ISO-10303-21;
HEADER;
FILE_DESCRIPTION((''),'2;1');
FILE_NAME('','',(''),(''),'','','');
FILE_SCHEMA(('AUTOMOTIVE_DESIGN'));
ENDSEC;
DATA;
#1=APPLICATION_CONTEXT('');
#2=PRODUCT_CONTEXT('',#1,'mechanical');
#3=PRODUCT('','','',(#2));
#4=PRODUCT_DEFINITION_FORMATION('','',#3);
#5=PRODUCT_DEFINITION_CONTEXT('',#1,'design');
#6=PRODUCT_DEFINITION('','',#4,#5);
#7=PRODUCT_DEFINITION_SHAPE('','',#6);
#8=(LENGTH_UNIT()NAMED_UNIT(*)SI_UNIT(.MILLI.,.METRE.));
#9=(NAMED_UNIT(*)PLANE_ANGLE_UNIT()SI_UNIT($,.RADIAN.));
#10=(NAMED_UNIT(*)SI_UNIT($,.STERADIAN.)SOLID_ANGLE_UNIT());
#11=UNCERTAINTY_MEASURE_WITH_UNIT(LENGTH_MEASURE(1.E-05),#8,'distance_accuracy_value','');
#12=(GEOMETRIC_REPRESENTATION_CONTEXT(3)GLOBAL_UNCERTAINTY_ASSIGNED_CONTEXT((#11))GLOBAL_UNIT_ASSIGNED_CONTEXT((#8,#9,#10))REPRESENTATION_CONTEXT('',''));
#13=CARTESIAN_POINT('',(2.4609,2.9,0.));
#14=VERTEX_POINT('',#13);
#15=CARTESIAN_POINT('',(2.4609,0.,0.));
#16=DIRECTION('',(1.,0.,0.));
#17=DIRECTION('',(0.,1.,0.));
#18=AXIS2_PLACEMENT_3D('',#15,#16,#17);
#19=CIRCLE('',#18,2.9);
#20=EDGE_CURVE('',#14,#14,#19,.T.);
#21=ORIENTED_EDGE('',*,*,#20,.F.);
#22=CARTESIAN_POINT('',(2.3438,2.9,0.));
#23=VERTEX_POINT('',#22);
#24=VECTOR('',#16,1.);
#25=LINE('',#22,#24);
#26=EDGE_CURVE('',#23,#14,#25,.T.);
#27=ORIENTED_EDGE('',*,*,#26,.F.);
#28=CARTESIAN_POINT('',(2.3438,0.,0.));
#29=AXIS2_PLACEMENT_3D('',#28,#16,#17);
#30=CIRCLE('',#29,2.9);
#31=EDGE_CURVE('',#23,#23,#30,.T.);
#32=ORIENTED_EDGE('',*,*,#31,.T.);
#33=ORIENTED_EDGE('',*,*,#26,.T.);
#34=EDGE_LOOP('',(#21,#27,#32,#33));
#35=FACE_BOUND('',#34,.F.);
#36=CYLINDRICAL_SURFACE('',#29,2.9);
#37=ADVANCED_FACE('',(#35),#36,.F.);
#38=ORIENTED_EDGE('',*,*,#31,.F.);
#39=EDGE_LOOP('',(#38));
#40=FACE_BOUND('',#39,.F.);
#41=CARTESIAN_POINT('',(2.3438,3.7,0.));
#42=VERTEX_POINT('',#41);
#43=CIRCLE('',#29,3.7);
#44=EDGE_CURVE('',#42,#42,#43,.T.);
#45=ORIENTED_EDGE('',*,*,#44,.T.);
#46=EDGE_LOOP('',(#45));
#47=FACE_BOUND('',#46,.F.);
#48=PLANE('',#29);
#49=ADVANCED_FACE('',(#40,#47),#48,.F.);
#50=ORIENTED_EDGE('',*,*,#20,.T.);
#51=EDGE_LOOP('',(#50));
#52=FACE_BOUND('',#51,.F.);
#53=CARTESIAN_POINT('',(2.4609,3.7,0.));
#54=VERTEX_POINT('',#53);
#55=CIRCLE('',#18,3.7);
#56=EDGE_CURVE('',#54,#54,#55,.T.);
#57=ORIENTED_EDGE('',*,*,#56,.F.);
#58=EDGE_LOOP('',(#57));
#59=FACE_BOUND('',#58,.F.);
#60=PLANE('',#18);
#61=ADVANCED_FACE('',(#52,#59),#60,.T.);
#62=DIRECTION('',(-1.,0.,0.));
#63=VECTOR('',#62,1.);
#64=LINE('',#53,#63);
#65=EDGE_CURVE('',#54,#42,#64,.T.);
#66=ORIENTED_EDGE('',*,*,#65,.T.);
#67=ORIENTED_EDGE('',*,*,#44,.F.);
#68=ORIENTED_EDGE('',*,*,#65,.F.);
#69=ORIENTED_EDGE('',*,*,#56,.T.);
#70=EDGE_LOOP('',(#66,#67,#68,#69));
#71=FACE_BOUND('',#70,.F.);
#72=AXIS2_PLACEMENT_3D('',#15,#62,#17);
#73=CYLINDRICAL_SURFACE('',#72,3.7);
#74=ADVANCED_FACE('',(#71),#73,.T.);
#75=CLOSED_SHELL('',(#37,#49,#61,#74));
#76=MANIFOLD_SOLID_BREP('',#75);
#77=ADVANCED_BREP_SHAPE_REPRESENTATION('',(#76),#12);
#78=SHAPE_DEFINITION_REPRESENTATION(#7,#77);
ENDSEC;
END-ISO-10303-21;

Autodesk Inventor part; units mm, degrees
sketch "Sketch_1" plane through (0, 0, 0) normal (0, 0, 1) x (1, 0, 0)
  line L0 (2.4609, 0) -> (2.3438, 0)
  line L1 (2.3438, 2.9) -> (2.4609, 2.9)
  line L2 (2.4609, 2.9) -> (2.4609, 3.7)
  line L3 (2.4609, 3.7) -> (2.3438, 3.7)
  line L4 (2.3438, 3.7) -> (2.3438, 2.9)
revolve "Revolution1" add sketch "Sketch_1" angle 360 about axis through (2.4609, 0, 0) along (1, 0, 0)
ref_plane "ip_st_1_XY" through (2.3438, 0, 0) normal (1, 0, 0) x (0, 0, -1)
ref_plane "ip_st_1_YZ" through (2.3438, 0, 0) normal (0, 0, -1) x (0, 1, 0)
ref_plane "ip_st_1_ZX" through (2.3438, 0, 0) normal (0, 1, 0) x (1, 0, 0)
properties part number "MF85ZZ Shield2"
